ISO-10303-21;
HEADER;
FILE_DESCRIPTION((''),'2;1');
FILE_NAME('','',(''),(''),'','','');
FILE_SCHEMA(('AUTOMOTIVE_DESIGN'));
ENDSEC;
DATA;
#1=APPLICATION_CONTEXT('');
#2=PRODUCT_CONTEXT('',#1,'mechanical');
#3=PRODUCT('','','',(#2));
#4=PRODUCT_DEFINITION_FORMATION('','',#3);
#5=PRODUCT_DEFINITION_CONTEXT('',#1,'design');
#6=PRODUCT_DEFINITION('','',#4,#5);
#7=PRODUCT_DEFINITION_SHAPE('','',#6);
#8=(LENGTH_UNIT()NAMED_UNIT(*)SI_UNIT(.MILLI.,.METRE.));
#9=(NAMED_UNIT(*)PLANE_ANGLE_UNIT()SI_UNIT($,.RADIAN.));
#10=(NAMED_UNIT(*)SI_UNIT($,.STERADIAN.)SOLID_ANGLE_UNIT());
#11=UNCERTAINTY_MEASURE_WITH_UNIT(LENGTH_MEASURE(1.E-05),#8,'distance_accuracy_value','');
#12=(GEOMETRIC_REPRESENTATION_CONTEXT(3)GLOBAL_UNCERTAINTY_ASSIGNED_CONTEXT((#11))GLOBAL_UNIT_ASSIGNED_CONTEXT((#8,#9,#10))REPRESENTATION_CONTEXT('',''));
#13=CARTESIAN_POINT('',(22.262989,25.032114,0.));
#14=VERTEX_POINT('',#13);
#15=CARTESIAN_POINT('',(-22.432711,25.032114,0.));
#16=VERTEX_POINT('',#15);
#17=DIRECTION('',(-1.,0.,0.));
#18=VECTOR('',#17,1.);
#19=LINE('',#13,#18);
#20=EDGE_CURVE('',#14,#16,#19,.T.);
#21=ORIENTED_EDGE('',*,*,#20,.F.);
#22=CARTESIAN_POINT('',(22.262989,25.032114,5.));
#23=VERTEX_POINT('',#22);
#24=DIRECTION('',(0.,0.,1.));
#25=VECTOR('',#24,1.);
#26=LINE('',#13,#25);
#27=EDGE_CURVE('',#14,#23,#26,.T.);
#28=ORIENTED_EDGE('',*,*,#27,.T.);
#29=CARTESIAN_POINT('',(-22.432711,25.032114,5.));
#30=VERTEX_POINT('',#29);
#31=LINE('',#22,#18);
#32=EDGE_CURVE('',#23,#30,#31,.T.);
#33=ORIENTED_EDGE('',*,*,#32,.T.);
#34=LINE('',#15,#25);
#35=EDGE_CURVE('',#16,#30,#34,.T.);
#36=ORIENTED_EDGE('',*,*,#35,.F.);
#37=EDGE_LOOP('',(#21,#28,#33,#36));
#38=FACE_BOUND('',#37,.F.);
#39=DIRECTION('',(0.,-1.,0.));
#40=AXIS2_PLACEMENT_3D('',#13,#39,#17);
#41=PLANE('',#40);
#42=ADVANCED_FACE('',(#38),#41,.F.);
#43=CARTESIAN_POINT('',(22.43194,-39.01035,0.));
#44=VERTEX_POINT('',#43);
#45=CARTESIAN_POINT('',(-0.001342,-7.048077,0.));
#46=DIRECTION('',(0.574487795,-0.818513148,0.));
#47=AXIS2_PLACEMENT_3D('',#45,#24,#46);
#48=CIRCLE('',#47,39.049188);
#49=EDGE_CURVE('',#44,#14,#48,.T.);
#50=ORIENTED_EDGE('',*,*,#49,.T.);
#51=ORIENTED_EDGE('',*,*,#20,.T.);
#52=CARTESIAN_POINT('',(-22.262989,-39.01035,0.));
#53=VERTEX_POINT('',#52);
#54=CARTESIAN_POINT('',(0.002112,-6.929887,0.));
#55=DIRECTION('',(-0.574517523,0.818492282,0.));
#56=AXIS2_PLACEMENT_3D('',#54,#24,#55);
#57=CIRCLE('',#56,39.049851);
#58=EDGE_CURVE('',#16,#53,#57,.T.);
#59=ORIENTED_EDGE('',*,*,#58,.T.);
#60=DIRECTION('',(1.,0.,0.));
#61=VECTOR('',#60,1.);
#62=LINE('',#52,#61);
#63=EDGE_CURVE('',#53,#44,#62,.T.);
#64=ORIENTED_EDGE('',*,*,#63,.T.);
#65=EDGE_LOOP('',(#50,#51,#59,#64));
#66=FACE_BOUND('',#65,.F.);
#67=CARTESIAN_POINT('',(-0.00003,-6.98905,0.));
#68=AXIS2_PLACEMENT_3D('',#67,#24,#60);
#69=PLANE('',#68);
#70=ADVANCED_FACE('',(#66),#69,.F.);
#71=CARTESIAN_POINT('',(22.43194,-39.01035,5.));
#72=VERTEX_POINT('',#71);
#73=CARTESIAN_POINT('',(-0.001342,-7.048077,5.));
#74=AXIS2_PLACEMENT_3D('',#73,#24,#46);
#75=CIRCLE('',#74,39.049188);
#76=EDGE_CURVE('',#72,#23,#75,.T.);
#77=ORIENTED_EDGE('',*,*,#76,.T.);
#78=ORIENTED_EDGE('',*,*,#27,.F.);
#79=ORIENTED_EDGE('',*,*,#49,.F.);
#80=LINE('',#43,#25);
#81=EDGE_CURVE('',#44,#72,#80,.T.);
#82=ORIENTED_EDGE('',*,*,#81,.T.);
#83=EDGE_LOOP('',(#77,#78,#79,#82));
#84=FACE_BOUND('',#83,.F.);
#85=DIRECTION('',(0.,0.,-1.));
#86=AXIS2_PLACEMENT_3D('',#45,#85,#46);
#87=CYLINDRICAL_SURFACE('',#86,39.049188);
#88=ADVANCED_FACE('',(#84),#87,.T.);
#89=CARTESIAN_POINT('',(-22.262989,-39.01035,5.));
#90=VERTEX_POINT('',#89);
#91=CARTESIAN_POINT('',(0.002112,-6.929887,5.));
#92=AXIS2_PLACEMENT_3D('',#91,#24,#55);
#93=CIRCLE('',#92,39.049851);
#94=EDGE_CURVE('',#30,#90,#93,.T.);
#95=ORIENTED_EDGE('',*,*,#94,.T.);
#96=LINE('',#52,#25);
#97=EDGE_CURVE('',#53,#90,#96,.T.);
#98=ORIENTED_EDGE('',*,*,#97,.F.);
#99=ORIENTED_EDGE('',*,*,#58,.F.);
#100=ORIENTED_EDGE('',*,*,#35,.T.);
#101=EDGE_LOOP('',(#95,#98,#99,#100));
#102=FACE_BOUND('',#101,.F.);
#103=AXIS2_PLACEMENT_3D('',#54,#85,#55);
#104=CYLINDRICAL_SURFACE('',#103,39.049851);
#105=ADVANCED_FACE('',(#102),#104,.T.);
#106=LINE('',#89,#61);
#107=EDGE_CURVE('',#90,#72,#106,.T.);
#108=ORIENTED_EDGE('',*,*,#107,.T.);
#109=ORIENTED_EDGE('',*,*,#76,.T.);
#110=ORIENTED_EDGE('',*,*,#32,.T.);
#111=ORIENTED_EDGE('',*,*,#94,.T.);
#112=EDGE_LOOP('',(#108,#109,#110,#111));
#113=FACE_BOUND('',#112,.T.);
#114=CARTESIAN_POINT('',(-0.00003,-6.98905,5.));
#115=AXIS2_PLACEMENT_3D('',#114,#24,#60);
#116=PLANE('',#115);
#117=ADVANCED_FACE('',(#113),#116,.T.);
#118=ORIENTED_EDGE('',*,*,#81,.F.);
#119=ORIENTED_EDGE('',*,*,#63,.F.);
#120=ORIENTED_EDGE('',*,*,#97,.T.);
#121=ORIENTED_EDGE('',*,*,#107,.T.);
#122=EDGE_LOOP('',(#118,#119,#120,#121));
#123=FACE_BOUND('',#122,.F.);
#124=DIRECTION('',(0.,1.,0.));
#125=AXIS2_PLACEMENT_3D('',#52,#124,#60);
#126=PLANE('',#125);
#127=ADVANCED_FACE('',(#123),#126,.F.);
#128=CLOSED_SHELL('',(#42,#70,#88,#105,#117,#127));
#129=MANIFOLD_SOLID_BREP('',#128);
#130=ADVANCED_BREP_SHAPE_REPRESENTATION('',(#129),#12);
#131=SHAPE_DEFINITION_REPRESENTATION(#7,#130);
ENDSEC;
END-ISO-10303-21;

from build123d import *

# Parameters (mm, degrees)
PAD_1_DEPTH = 5


with BuildPart() as part:
    # Sketch_1 → Pad_1 (new body)
    with BuildSketch(Plane.XY):
        with BuildLine():
            ThreePointArc((22.43194, -39.01035), (39.04771, -6.945061), (22.262989, 25.032114))
            Line((22.262989, 25.032114), (-22.432711, 25.032114))
            ThreePointArc((-22.432711, 25.032114), (-39.047601, -7.033375), (-22.262989, -39.01035))
            Line((-22.262989, -39.01035), (22.43194, -39.01035))
        make_face()
    extrude(amount=PAD_1_DEPTH)


solid = part.part
